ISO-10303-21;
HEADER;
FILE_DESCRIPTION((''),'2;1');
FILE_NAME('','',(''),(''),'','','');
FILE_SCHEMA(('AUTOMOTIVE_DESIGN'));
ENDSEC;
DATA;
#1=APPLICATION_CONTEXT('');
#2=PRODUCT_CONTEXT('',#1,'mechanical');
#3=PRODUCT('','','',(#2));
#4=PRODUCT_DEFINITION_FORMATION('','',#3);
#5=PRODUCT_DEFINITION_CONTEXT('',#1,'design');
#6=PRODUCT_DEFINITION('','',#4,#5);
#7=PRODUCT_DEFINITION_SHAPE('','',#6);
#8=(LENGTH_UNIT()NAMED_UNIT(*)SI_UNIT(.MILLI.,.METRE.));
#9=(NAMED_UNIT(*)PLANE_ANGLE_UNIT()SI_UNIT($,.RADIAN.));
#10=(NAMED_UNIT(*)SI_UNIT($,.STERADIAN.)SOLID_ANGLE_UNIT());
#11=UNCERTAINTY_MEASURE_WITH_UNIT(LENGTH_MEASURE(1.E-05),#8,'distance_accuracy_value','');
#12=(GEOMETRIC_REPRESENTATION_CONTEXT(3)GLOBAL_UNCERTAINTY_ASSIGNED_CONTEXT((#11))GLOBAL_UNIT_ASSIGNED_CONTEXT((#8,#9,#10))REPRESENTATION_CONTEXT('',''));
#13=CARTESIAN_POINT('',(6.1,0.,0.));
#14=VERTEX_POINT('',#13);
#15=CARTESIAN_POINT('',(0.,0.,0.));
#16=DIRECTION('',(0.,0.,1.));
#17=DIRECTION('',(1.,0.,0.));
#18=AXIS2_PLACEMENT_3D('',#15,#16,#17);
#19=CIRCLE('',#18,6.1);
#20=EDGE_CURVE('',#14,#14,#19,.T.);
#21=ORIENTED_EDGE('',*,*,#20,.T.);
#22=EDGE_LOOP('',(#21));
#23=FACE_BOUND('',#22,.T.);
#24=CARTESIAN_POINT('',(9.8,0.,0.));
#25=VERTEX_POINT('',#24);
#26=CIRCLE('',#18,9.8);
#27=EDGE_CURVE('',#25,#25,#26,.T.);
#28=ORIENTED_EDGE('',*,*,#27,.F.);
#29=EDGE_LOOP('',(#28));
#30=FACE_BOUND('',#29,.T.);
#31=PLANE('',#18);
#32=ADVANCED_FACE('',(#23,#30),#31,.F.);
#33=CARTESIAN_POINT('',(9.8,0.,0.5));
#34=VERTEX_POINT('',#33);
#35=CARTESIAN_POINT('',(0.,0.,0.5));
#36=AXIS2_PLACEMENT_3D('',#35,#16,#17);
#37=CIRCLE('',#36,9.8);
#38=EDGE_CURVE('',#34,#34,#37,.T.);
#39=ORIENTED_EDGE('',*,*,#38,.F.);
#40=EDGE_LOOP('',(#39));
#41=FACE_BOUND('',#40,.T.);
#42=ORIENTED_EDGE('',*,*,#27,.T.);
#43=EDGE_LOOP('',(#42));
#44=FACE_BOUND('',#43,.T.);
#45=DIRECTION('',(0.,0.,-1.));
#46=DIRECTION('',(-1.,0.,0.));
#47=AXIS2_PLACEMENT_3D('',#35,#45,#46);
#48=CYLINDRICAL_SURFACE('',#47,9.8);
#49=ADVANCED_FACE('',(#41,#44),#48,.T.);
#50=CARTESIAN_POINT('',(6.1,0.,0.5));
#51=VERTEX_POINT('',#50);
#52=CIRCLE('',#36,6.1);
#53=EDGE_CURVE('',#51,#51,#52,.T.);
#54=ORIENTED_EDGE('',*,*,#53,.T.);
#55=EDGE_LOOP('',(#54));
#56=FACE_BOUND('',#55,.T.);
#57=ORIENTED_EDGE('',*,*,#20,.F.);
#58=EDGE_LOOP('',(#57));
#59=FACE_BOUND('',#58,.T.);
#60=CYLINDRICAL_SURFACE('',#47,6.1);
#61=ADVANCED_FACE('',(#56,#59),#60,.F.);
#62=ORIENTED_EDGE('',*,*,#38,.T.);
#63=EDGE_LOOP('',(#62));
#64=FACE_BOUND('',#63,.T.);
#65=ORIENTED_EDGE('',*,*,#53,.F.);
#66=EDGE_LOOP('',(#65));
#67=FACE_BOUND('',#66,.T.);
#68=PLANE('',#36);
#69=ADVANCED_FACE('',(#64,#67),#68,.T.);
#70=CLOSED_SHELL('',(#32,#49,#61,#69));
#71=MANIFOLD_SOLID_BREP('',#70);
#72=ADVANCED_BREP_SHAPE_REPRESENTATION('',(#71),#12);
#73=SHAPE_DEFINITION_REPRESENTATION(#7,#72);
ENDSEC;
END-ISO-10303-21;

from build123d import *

# Parameters (mm, degrees)
ESQUISSE1_R      = 9.8
ESQUISSE1_R_2    = 6.1
EXTRUSION1_DEPTH = 0.5


with BuildPart() as part:
    # Esquisse1 → Extrusion1 (new body)
    with BuildSketch(Plane.XY):
        Circle(ESQUISSE1_R)
        Circle(ESQUISSE1_R_2, mode=Mode.SUBTRACT)
    extrude(amount=EXTRUSION1_DEPTH)


solid = part.part
